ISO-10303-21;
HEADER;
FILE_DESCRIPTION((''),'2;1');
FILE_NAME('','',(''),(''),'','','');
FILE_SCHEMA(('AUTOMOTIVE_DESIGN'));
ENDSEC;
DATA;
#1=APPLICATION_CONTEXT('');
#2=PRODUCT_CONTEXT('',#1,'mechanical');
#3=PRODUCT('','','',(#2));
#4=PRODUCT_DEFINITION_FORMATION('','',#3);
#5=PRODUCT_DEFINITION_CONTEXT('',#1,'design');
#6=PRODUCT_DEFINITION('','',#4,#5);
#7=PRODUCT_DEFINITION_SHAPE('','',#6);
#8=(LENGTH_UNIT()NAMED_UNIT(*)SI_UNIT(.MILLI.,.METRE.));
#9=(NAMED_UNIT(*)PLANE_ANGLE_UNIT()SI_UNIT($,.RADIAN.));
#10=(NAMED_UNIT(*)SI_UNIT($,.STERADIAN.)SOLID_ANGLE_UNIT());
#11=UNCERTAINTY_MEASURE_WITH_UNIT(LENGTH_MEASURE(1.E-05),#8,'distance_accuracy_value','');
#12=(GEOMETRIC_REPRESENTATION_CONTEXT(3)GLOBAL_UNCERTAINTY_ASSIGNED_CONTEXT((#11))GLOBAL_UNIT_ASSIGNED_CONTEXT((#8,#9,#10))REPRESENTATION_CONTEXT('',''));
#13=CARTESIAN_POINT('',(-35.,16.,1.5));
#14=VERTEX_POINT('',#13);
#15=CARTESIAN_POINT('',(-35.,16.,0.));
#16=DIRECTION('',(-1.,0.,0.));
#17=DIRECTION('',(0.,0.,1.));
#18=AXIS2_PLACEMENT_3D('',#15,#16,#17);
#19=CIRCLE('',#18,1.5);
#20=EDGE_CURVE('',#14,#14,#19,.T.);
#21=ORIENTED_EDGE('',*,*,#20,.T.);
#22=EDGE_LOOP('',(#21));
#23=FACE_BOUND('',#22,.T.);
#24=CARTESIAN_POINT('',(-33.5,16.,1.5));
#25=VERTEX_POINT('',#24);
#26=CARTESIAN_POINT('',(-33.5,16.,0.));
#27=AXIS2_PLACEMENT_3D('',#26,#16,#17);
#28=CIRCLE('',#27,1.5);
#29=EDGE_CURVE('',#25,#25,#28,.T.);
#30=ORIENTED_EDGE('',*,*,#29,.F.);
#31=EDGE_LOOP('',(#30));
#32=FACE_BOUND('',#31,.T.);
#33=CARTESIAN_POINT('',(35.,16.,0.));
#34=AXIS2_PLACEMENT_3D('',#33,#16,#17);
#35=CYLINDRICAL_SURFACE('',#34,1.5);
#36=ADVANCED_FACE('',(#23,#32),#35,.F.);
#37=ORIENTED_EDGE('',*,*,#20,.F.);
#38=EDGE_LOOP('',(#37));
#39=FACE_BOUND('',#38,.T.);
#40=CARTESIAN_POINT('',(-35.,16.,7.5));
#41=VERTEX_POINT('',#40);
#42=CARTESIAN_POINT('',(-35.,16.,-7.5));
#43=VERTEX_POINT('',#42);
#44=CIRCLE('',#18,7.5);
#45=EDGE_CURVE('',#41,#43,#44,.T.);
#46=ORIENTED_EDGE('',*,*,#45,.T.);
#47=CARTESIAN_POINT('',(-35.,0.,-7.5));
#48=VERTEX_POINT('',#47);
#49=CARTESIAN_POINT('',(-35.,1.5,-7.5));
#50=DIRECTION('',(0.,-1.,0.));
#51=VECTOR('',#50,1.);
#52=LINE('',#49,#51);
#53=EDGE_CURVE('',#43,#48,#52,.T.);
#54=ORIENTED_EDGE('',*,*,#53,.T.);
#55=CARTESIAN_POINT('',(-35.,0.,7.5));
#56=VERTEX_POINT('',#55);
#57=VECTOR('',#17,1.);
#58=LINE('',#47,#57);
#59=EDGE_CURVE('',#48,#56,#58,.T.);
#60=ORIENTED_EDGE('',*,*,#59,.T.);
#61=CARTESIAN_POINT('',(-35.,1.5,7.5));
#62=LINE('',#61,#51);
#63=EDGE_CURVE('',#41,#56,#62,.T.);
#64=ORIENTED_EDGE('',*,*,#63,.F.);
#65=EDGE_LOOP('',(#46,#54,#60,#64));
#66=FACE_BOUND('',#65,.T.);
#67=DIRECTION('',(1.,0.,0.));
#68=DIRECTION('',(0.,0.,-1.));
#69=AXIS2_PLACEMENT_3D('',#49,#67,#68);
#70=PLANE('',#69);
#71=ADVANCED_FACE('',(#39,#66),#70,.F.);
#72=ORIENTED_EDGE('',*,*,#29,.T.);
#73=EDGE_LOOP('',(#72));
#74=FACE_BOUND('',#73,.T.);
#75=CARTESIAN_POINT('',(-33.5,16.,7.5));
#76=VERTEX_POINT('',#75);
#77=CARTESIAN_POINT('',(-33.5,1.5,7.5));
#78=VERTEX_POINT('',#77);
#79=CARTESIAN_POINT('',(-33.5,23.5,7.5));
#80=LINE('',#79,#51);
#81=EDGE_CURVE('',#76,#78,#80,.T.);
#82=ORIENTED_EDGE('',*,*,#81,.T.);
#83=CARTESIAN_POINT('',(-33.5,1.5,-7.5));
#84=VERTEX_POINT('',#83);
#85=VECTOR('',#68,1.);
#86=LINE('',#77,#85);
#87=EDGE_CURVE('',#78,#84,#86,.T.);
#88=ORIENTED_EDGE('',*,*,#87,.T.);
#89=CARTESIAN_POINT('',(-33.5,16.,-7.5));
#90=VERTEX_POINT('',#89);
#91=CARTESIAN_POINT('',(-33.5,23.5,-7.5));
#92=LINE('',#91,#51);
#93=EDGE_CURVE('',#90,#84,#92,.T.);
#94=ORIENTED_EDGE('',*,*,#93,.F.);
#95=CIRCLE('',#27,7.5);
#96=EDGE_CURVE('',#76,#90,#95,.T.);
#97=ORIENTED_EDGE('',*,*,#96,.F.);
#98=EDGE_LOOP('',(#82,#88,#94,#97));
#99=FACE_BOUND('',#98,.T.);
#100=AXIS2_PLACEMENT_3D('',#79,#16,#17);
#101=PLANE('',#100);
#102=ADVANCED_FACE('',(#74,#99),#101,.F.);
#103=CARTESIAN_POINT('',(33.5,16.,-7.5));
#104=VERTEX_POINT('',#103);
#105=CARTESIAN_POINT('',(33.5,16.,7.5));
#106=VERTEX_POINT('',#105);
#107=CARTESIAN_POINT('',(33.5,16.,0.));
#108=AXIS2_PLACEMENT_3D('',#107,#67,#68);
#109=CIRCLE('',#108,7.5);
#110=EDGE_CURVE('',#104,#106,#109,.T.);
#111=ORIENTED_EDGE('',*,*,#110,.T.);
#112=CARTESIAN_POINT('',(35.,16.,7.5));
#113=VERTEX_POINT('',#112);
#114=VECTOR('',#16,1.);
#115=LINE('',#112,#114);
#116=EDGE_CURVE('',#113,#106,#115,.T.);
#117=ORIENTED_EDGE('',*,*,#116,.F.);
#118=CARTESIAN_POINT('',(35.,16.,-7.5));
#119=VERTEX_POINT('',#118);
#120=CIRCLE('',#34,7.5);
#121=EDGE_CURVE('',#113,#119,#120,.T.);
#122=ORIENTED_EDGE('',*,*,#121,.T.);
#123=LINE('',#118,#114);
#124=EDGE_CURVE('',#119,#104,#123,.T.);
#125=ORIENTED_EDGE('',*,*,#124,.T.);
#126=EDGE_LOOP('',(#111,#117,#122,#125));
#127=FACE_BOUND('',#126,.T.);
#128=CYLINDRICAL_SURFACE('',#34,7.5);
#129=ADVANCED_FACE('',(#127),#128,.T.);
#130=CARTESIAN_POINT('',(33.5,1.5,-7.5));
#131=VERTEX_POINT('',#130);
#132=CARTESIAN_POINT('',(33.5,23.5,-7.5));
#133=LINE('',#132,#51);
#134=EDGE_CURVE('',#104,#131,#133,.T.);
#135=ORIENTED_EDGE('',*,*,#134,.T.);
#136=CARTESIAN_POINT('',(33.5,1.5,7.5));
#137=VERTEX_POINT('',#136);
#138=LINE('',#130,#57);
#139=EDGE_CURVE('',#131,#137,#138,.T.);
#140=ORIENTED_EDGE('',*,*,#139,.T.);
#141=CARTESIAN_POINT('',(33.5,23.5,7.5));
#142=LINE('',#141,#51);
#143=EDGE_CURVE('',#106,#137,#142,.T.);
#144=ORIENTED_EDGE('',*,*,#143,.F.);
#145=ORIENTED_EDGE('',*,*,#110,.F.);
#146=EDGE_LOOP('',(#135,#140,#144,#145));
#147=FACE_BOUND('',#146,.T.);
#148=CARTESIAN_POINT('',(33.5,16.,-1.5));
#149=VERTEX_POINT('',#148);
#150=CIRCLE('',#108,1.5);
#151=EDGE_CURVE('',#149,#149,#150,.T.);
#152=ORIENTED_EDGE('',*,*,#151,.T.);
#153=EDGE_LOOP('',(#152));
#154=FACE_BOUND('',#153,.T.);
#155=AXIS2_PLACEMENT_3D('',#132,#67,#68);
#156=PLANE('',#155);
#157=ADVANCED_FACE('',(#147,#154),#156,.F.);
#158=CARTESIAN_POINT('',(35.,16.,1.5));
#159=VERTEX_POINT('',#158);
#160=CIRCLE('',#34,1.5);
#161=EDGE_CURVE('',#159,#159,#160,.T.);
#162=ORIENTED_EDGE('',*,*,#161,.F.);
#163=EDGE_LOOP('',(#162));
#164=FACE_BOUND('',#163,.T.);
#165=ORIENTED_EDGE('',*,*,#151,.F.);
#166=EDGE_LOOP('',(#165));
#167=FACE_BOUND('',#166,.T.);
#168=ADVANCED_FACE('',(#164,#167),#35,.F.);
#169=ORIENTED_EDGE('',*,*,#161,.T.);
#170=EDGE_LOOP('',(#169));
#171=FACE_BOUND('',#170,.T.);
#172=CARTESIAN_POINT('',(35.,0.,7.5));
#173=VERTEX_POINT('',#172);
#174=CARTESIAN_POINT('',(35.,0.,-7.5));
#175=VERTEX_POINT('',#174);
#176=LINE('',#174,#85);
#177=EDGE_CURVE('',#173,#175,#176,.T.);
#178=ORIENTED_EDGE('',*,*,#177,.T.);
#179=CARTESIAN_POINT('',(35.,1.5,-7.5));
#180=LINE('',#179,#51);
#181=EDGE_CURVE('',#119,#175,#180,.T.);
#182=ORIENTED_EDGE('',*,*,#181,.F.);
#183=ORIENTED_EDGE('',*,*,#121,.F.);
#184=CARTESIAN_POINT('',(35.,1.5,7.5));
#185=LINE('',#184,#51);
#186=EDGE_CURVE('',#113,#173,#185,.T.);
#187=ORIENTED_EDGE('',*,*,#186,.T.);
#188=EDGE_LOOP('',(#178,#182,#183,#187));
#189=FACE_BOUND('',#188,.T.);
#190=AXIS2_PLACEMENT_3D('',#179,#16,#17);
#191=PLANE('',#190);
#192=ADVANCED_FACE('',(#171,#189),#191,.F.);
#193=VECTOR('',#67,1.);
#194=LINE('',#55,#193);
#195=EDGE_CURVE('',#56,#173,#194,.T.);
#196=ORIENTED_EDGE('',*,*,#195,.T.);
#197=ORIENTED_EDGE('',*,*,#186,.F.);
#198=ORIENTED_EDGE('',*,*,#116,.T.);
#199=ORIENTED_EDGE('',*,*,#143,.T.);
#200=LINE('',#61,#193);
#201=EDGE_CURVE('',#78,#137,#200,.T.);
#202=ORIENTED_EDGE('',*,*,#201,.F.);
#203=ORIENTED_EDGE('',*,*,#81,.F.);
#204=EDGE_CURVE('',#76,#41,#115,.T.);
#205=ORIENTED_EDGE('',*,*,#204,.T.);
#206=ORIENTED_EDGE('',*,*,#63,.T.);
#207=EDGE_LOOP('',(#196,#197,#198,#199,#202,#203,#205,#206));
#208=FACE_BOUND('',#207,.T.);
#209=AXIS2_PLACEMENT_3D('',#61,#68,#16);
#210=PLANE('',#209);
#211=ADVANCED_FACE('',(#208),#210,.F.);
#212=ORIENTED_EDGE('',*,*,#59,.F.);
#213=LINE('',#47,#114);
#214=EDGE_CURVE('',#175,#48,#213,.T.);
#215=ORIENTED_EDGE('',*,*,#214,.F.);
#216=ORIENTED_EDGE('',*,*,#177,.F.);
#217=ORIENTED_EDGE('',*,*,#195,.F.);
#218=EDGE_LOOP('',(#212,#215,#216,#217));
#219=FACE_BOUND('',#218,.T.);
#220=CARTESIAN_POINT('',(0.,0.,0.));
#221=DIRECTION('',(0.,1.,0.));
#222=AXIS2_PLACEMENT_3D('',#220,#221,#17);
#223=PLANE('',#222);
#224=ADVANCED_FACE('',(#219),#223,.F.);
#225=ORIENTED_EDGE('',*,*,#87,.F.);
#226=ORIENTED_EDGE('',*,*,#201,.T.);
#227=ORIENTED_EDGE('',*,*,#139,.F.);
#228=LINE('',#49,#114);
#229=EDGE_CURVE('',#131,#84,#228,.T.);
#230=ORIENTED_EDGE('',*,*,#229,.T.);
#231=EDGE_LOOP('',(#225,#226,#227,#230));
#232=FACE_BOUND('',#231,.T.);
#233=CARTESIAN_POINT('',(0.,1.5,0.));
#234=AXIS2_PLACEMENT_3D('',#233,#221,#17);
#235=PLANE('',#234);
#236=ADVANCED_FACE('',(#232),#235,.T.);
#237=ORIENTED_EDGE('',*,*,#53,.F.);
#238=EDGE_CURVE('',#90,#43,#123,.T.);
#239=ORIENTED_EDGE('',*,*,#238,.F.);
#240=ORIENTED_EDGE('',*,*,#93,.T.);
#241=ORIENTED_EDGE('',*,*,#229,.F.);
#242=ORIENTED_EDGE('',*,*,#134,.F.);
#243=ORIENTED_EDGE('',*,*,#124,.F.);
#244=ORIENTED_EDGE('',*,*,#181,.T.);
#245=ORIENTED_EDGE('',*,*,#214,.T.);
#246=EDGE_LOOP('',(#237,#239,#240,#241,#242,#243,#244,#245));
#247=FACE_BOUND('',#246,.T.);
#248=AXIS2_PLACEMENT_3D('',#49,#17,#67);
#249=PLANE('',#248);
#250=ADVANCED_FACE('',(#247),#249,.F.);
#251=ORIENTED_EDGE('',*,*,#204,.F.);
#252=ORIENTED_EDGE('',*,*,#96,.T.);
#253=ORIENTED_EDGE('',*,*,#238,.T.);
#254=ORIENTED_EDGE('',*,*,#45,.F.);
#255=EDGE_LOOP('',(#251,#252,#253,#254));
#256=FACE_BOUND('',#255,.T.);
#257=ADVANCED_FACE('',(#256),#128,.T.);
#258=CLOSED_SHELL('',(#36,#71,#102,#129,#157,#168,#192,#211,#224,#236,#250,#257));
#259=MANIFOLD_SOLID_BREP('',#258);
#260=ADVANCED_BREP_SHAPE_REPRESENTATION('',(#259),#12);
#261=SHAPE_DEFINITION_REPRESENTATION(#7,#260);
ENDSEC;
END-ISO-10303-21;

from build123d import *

# Parameters (mm, degrees)
SKETCH1_W           = 70
SKETCH1_H           = 15
BOSS_EXTRUDE1_DEPTH = 1.5
SKETCH2_W           = 1.5
SKETCH2_H           = 15
BOSS_EXTRUDE2_DEPTH = 22
SKETCH3_R           = 1.5
CUT_EXTRUDE1_DEPTH  = 71


with BuildPart() as part:
    # Sketch1 → Boss-Extrude1 (new body)
    with BuildSketch(Plane(origin=(0, 0, 0), x_dir=(1, 0, 0), z_dir=(0, 1, 0))):
        Rectangle(SKETCH1_W, SKETCH1_H)
    extrude(amount=BOSS_EXTRUDE1_DEPTH)

    # Sketch2 → Boss-Extrude2 (add)
    with BuildSketch(Plane(origin=(0, 1.5, 0), x_dir=(1, 0, 0), z_dir=(0, 1, 0))):
        with Locations((-34.25, 0)):
            Rectangle(SKETCH2_W, SKETCH2_H)
        with Locations((34.25, 0)):
            Rectangle(SKETCH2_W, SKETCH2_H)
    extrude(amount=BOSS_EXTRUDE2_DEPTH)

    # Sketch3 → Cut-Extrude1 (cut, through all)
    with BuildSketch(Plane.ZY.offset(35)):
        with BuildLine():
            Line((7.5, 23.5), (0, 23.5))
            ThreePointArc((0, 23.5), (5.303300859, 21.303300859), (7.5, 16))
            Line((7.5, 16), (7.5, 23.5))
        make_face()
        with BuildLine():
            Line((-7.5, 23.5), (-7.5, 16))
            ThreePointArc((-7.5, 16), (-5.303300859, 21.303300859), (0, 23.5))
            Line((0, 23.5), (-7.5, 23.5))
        make_face()
        with Locations((0, 16)):
            Circle(SKETCH3_R)
    extrude(amount=-CUT_EXTRUDE1_DEPTH, mode=Mode.SUBTRACT)


solid = part.part
